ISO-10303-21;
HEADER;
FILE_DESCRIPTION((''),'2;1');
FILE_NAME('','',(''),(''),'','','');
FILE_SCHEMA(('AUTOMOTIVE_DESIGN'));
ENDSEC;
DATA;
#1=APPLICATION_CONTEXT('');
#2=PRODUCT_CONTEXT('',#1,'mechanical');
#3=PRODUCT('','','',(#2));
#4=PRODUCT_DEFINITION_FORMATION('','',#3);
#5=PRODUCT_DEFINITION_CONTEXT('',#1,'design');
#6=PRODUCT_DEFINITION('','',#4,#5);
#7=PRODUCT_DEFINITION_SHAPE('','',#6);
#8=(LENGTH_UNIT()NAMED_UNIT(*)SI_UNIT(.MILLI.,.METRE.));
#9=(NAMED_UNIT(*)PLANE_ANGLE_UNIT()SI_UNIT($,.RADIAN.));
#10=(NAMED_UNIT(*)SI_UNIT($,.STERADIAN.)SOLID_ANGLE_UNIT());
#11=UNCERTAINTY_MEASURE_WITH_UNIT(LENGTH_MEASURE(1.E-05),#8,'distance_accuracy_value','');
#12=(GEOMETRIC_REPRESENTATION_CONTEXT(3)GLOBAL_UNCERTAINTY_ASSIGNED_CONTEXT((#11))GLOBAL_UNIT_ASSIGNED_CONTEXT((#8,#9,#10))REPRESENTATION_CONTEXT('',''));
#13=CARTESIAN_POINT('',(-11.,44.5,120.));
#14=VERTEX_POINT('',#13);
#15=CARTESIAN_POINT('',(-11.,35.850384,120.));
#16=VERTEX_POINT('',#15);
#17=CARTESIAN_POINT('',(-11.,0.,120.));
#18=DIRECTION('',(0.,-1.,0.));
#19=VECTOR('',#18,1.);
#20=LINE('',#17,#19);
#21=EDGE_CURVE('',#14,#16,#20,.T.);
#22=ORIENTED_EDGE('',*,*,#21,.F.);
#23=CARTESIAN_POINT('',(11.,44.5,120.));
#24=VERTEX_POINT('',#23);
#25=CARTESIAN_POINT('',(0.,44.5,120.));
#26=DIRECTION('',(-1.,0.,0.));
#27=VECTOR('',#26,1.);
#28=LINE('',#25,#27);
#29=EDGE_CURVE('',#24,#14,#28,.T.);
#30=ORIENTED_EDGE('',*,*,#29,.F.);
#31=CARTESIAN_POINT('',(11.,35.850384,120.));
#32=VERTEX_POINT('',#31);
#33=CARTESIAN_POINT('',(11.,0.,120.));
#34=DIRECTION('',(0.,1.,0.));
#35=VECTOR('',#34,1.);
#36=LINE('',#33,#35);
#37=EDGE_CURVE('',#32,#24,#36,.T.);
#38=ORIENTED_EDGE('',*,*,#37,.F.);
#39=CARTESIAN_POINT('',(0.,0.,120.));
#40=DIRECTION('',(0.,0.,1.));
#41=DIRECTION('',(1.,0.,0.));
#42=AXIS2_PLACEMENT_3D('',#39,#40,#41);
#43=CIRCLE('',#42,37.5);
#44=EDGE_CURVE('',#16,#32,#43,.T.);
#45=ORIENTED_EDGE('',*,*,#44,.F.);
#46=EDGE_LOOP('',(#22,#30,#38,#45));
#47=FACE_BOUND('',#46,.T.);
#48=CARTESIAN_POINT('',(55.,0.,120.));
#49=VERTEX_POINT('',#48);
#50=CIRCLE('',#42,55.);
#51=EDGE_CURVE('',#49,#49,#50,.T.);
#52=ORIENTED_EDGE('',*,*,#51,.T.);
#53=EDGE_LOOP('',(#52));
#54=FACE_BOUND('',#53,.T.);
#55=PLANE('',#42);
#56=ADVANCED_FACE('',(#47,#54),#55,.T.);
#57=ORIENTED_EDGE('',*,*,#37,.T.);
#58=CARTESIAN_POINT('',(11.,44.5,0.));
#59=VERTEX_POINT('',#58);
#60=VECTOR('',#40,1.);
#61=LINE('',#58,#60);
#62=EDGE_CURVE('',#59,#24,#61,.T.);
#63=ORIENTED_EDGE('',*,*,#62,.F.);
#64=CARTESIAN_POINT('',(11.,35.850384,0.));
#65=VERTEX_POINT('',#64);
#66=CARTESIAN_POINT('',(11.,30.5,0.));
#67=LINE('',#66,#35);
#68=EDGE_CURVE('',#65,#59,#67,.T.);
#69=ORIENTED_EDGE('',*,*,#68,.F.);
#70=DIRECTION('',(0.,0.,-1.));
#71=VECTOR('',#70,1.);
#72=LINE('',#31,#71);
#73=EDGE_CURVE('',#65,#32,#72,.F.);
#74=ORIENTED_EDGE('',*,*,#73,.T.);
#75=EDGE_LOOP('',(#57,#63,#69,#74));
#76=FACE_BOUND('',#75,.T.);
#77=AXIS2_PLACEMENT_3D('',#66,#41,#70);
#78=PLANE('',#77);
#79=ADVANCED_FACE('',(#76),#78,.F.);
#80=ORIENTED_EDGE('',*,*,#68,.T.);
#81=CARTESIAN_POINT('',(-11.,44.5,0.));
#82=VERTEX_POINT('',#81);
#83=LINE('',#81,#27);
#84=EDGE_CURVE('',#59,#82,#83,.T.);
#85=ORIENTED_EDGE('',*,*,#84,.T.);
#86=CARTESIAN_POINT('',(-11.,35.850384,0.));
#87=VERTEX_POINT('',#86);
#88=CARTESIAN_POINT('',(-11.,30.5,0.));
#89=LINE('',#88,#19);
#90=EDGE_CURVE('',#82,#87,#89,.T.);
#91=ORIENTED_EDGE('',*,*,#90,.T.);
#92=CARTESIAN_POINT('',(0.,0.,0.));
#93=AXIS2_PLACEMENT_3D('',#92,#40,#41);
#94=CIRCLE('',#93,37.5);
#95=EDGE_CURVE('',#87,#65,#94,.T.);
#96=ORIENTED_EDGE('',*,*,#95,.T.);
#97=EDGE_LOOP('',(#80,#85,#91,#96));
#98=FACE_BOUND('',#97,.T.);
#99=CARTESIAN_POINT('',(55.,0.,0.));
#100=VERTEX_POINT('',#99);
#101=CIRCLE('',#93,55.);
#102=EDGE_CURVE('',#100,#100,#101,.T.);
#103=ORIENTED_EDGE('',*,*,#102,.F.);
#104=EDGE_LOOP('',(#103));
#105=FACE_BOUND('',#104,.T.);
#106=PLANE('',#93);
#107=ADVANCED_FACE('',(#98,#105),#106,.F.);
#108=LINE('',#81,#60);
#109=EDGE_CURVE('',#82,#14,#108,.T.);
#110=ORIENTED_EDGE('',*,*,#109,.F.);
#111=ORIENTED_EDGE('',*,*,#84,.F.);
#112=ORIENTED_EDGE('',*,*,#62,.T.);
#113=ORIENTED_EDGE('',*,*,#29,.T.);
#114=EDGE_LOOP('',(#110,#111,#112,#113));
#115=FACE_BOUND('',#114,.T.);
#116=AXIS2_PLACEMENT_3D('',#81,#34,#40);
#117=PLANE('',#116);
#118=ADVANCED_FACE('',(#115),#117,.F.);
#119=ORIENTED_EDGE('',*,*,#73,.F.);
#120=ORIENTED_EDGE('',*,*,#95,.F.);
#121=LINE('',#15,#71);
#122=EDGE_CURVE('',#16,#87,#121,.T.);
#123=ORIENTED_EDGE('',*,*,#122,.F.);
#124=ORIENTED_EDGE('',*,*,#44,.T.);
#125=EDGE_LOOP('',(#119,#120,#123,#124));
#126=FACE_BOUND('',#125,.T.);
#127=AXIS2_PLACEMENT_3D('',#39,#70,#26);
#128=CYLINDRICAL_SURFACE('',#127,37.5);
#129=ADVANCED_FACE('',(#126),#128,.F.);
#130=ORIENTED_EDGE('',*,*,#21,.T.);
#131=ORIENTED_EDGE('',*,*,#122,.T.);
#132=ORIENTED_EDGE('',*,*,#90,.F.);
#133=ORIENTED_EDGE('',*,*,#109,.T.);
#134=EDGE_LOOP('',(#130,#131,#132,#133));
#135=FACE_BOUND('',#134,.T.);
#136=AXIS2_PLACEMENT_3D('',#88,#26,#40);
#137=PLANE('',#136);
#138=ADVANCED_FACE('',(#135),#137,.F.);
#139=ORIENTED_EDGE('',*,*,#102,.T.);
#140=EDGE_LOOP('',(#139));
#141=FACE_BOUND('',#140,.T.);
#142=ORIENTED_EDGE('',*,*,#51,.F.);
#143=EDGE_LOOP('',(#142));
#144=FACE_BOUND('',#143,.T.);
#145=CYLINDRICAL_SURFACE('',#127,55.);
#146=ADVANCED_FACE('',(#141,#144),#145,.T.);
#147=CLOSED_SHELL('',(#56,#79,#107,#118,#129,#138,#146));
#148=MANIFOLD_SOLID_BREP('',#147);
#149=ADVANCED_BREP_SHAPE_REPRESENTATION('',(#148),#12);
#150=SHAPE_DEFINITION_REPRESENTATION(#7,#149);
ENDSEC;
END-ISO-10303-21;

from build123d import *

# Parameters (mm, degrees)
SKETCH1_R               = 55
SKETCH1_R_2             = 37.5
BOSS_EXTRUDE1_DEPTH     = 120
CUT_EXTRUDE1_DEPTH      = 144.003496461
CUT_EXTRUDE1_DEPTH_BACK = 144.003496461
SKETCH2_W               = 22
SKETCH2_H               = 14


with BuildPart() as part:
    # Sketch1 → Boss-Extrude1 (new body)
    with BuildSketch(Plane.XY):
        Circle(SKETCH1_R)
        Circle(SKETCH1_R_2, mode=Mode.SUBTRACT)
    extrude(amount=BOSS_EXTRUDE1_DEPTH)

    # Sketch2 → Cut-Extrude1 (cut, two sides: drawn at the far end of the back side and taken through both)
    with BuildSketch(Plane.XY.offset(120).offset(-CUT_EXTRUDE1_DEPTH_BACK)):
        with Locations((0, 37.5)):
            Rectangle(SKETCH2_W, SKETCH2_H)
    extrude(amount=CUT_EXTRUDE1_DEPTH + CUT_EXTRUDE1_DEPTH_BACK, mode=Mode.SUBTRACT)


solid = part.part
